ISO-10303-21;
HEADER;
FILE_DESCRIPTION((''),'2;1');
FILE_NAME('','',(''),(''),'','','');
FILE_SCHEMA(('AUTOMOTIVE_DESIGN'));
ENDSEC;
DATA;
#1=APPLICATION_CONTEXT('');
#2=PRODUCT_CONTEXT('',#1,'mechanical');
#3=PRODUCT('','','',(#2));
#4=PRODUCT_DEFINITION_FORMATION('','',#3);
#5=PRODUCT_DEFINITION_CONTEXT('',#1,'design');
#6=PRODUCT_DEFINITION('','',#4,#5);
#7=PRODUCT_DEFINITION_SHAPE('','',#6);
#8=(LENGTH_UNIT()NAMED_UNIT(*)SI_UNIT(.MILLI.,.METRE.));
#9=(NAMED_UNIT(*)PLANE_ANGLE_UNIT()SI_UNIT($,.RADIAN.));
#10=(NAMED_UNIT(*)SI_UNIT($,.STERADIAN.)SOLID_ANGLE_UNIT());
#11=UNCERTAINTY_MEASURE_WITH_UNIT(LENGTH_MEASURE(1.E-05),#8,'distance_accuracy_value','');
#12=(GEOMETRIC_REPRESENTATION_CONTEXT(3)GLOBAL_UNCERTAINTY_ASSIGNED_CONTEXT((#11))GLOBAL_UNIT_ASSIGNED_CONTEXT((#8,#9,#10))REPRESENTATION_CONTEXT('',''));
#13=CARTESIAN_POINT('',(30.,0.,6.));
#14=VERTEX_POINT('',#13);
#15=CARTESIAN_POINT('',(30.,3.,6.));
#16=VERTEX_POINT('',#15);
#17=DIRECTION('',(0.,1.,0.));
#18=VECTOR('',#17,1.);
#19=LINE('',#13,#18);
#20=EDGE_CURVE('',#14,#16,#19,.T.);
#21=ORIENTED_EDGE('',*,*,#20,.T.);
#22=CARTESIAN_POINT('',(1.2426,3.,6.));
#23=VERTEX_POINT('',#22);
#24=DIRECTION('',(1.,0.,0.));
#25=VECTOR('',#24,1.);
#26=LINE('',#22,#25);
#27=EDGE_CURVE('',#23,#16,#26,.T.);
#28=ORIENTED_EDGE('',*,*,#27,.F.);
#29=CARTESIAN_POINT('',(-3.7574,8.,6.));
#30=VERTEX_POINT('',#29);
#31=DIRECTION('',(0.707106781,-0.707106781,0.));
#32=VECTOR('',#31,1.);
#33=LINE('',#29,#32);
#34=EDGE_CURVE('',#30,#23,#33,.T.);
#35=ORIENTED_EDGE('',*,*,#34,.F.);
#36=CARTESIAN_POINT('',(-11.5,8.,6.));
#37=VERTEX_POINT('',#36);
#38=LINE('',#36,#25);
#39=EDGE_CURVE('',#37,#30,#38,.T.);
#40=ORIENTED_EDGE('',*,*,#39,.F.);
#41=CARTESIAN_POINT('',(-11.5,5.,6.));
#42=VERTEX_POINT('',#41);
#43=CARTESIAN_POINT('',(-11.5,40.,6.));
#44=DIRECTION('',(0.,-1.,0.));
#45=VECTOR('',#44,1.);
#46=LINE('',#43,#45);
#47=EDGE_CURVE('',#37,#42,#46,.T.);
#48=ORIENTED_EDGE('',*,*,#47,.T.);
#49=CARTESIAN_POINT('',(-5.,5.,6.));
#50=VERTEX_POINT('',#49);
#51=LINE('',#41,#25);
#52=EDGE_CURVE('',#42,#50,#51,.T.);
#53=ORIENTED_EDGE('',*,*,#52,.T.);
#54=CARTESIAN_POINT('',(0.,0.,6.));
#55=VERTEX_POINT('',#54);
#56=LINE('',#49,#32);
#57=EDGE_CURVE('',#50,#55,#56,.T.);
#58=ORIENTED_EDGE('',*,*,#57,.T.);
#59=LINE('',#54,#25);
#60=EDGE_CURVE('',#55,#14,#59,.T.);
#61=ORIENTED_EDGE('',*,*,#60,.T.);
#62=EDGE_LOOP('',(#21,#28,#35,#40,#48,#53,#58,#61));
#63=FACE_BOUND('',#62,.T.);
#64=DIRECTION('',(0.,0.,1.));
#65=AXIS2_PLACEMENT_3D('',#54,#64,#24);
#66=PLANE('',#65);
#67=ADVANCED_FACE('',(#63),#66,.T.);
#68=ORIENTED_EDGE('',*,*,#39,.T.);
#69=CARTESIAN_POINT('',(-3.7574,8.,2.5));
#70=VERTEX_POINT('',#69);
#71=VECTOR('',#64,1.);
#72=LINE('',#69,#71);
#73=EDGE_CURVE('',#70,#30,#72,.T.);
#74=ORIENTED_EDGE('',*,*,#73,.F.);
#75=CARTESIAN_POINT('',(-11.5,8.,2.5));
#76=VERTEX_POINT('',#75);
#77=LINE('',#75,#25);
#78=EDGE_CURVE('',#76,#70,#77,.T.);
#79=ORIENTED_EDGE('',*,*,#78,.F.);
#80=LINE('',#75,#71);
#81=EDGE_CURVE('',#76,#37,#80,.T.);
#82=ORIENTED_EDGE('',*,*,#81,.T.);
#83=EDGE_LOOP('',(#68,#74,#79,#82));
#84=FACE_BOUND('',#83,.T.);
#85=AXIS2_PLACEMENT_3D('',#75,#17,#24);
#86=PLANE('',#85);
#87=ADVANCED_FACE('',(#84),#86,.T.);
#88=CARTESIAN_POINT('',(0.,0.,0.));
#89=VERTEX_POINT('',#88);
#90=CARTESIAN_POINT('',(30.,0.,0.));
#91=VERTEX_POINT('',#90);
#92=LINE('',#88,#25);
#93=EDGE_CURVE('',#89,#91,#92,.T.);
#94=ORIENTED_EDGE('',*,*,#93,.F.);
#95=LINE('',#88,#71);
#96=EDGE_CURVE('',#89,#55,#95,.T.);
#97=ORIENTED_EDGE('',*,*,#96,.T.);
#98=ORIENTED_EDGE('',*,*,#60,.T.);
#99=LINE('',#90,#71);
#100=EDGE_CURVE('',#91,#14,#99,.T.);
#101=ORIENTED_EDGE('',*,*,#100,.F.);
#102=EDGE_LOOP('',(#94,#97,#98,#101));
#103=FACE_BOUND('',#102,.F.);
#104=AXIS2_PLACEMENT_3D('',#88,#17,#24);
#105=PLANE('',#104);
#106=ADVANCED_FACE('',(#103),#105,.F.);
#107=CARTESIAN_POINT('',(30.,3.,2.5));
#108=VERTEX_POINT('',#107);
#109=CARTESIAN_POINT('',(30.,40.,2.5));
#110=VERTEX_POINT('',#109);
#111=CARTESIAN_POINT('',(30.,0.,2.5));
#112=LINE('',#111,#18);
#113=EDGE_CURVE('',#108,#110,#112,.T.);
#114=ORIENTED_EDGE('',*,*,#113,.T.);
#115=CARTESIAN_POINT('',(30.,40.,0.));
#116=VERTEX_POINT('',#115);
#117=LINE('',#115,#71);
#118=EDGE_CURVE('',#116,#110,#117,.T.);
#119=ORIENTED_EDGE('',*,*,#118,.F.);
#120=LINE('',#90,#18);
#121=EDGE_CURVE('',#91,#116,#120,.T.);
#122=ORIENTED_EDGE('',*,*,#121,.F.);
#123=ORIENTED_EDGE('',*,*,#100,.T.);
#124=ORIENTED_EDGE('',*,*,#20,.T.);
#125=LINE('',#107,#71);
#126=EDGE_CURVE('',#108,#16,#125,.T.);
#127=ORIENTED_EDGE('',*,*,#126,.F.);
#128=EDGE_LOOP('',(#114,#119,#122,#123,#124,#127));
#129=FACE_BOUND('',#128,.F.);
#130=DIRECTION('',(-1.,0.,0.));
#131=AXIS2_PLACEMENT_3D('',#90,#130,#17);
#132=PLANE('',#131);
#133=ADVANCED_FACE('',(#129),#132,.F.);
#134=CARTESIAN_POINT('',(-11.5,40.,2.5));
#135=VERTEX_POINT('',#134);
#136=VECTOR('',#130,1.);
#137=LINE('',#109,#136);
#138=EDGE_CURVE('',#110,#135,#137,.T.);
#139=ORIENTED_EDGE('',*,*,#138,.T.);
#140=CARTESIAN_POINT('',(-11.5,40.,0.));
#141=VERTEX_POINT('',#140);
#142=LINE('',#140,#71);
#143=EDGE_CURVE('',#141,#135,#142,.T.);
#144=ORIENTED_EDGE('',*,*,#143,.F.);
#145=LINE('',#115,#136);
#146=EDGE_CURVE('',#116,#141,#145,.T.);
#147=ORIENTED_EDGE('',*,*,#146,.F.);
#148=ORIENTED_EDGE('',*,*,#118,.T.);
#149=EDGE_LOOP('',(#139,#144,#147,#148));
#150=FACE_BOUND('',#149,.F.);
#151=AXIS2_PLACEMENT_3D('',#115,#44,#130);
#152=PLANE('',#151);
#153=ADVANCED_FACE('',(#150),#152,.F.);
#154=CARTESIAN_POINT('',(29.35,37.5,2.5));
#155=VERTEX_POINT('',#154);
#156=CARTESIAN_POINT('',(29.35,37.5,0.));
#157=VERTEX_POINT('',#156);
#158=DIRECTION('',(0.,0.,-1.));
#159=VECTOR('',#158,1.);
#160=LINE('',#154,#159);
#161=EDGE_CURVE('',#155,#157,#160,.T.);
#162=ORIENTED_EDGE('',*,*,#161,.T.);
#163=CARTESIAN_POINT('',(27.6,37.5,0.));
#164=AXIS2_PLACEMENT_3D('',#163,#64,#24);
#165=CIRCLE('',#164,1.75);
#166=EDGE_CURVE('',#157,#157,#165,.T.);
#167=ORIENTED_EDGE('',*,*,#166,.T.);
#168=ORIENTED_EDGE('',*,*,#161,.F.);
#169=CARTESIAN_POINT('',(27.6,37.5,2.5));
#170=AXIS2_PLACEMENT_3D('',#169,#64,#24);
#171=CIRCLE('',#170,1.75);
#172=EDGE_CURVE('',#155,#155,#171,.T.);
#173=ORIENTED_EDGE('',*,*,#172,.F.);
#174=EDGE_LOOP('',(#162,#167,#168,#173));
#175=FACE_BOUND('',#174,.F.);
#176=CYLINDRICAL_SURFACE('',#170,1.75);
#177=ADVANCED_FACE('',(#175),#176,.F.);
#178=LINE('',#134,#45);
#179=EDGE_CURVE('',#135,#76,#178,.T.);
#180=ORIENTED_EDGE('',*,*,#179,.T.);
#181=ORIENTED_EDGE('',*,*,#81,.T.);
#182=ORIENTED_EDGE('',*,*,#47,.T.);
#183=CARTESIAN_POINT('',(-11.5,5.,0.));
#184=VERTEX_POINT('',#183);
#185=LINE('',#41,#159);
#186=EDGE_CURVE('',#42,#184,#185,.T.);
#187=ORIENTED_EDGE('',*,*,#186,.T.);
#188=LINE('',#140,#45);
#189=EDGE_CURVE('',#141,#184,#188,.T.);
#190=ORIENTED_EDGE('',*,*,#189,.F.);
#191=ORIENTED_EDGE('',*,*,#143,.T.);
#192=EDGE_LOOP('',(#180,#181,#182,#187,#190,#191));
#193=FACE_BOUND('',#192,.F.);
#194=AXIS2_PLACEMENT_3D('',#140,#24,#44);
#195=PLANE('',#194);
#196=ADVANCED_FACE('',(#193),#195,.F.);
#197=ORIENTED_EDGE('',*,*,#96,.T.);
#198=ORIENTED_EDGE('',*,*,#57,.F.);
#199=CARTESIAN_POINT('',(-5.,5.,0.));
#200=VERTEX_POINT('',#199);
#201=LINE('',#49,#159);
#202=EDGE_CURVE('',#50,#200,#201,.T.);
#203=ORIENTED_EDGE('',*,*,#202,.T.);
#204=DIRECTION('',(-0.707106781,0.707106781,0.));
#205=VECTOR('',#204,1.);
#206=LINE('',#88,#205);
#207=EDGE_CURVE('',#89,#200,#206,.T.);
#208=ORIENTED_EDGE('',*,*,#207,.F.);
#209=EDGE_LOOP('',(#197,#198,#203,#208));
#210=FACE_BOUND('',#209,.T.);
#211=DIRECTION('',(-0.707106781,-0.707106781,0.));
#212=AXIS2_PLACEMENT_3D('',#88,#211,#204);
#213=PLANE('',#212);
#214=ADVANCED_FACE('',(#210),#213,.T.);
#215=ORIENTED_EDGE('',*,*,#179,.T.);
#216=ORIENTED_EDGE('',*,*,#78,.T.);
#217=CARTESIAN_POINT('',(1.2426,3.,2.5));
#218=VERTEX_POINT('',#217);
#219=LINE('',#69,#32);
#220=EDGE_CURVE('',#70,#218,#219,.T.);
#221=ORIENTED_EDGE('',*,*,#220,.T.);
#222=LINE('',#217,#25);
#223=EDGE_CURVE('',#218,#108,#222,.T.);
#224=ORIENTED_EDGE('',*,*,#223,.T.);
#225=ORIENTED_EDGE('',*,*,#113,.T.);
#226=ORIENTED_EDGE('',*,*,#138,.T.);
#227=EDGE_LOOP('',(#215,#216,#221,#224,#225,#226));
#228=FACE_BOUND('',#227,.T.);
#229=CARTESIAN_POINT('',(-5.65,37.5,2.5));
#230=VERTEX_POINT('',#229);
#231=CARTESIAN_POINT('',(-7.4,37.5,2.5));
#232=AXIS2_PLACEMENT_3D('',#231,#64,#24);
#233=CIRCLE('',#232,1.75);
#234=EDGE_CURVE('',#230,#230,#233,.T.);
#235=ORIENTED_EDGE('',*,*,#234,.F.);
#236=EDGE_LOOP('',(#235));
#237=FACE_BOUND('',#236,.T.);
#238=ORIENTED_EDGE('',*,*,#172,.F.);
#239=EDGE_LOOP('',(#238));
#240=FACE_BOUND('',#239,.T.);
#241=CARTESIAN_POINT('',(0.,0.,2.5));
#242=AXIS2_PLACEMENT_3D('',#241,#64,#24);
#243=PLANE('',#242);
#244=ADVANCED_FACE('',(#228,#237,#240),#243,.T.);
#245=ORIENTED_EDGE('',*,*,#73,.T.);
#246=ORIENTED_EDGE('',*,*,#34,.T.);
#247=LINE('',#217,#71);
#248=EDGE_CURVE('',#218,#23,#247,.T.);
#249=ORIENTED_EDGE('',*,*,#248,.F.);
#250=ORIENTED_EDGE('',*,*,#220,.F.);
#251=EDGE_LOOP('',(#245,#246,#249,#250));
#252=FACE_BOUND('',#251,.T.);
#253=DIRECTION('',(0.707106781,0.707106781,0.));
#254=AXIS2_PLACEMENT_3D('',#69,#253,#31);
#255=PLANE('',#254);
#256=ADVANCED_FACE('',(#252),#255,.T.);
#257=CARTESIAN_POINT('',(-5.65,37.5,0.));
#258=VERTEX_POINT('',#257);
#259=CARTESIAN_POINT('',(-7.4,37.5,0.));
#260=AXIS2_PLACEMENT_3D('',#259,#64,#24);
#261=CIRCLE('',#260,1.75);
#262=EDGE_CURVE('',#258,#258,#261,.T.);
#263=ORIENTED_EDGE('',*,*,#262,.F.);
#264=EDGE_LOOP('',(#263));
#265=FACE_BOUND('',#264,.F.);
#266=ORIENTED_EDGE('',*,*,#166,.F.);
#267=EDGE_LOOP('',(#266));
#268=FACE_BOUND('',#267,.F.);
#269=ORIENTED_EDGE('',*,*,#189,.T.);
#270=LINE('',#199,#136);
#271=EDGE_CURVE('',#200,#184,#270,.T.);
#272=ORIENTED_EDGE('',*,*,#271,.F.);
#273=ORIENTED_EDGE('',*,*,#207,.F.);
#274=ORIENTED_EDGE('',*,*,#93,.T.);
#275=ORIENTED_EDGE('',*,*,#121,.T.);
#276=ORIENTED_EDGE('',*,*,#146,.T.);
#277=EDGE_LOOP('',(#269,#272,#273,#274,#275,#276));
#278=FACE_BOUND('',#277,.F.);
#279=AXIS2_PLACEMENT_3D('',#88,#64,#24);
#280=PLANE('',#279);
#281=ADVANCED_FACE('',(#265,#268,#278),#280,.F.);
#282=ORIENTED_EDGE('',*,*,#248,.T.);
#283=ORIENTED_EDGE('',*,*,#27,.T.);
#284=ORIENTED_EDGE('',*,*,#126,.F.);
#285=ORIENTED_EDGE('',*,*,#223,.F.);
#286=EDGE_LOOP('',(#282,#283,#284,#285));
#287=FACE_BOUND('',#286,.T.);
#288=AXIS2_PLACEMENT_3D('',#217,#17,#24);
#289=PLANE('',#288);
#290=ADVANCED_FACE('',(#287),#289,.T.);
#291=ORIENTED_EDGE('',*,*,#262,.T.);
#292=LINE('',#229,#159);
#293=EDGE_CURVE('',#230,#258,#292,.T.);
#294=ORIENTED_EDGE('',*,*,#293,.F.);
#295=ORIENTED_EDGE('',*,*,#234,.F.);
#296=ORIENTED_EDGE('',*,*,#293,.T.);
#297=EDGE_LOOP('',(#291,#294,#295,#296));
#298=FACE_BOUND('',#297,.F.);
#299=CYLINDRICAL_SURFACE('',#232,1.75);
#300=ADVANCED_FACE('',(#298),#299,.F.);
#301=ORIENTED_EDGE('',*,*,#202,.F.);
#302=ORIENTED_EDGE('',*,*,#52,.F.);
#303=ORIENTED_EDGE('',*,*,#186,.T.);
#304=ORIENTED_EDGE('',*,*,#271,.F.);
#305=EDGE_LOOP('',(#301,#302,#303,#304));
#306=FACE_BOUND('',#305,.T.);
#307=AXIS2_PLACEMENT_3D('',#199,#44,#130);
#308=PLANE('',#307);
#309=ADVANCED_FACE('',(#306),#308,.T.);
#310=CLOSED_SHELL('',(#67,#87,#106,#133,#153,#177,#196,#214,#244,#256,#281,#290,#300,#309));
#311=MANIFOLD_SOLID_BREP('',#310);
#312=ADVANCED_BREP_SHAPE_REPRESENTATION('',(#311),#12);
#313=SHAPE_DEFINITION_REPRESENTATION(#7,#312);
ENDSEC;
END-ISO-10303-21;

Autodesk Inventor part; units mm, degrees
ref_plane "YZ Plane" through (0, 0, 0) normal (1, 0, 0) x (0, 1, 0)
ref_plane "XZ Plane" through (0, 0, 0) normal (0, 1, 0) x (-1, 0, 0)
ref_plane "XY Plane" through (0, 0, 0) normal (0, 0, 1) x (1, 0, 0)
sketch "Sketch4" plane through (0, 0, 0) normal (0, 0, 1) x (1, 0, 0)
  line L0 (0, 0) -> (30, 0)
  line L1 (0, 0) -> (-5, 5)
  line L2 (-5, 5) -> (-11.5, 5)
  line L3 (30, 0) -> (30, 40)
  line L4 (30, 40) -> (-11.5, 40)
  line L5 (-11.5, 40) -> (-11.5, 5)
  dimension "d16" = 30
  dimension "d17" = 5
  dimension "d18" = 135
  dimension "d19" = 6.5
  dimension "d20" = 40
extrude "Extrusion4" add sketch "Sketch4" along normal blind 2.5
sketch "Sketch5" plane through (0, 0, 2.5) normal (0, 0, 1) x (1, 0, 0)
  line L0 (0, 0) -> (30, 0) projected
  line L1 (30, 0) -> (30, 40) projected
  line L2 (-11.5, 40) -> (-11.5, 5) projected
  line L3 (-11.5, 5) -> (-5, 5) projected
  line L4 (-5, 5) -> (0, 0) projected
  line L5 (-11.5, 8) -> (-3.7574, 8)
  line L6 (-3.7574, 8) -> (1.2426, 3)
  line L7 (1.2426, 3) -> (30, 3)
  dimension "d23" = 3
  dimension "d24" = 3
  dimension "d25" = 3
extrude "Extrusion5" add sketch "Sketch5" along normal blind 3.5
sketch "Sketch6" plane through (0, 0, 2.5) normal (0, 0, 1) x (1, 0, 0)
  line L0 (-11.5, 8) -> (-3.7574, 8) projected
  line L1 (1.2426, 3) -> (30, 3) projected
  line L2 (30, 3) -> (30, 40) projected
  line L3 (-11.5, 40) -> (-11.5, 8) projected
  circle A0 centre (-7.4, 37.5) radius 1.75
  circle A1 centre (27.6, 37.5) radius 1.75
  point P0 (0, 0)
  dimension "d28" = 29.5
  dimension "d29" = 4.1
  dimension "d30" = 3.5
  dimension "d31" = 3.5
  dimension "d32" = 2.4
  dimension "d33" = 34.5
  dimension "d36" = 6
  dimension "d37" = 6
extrude "Extrusion6" cut sketch "Sketch6" against normal up to next
properties part number "XCarriageFanMount"
